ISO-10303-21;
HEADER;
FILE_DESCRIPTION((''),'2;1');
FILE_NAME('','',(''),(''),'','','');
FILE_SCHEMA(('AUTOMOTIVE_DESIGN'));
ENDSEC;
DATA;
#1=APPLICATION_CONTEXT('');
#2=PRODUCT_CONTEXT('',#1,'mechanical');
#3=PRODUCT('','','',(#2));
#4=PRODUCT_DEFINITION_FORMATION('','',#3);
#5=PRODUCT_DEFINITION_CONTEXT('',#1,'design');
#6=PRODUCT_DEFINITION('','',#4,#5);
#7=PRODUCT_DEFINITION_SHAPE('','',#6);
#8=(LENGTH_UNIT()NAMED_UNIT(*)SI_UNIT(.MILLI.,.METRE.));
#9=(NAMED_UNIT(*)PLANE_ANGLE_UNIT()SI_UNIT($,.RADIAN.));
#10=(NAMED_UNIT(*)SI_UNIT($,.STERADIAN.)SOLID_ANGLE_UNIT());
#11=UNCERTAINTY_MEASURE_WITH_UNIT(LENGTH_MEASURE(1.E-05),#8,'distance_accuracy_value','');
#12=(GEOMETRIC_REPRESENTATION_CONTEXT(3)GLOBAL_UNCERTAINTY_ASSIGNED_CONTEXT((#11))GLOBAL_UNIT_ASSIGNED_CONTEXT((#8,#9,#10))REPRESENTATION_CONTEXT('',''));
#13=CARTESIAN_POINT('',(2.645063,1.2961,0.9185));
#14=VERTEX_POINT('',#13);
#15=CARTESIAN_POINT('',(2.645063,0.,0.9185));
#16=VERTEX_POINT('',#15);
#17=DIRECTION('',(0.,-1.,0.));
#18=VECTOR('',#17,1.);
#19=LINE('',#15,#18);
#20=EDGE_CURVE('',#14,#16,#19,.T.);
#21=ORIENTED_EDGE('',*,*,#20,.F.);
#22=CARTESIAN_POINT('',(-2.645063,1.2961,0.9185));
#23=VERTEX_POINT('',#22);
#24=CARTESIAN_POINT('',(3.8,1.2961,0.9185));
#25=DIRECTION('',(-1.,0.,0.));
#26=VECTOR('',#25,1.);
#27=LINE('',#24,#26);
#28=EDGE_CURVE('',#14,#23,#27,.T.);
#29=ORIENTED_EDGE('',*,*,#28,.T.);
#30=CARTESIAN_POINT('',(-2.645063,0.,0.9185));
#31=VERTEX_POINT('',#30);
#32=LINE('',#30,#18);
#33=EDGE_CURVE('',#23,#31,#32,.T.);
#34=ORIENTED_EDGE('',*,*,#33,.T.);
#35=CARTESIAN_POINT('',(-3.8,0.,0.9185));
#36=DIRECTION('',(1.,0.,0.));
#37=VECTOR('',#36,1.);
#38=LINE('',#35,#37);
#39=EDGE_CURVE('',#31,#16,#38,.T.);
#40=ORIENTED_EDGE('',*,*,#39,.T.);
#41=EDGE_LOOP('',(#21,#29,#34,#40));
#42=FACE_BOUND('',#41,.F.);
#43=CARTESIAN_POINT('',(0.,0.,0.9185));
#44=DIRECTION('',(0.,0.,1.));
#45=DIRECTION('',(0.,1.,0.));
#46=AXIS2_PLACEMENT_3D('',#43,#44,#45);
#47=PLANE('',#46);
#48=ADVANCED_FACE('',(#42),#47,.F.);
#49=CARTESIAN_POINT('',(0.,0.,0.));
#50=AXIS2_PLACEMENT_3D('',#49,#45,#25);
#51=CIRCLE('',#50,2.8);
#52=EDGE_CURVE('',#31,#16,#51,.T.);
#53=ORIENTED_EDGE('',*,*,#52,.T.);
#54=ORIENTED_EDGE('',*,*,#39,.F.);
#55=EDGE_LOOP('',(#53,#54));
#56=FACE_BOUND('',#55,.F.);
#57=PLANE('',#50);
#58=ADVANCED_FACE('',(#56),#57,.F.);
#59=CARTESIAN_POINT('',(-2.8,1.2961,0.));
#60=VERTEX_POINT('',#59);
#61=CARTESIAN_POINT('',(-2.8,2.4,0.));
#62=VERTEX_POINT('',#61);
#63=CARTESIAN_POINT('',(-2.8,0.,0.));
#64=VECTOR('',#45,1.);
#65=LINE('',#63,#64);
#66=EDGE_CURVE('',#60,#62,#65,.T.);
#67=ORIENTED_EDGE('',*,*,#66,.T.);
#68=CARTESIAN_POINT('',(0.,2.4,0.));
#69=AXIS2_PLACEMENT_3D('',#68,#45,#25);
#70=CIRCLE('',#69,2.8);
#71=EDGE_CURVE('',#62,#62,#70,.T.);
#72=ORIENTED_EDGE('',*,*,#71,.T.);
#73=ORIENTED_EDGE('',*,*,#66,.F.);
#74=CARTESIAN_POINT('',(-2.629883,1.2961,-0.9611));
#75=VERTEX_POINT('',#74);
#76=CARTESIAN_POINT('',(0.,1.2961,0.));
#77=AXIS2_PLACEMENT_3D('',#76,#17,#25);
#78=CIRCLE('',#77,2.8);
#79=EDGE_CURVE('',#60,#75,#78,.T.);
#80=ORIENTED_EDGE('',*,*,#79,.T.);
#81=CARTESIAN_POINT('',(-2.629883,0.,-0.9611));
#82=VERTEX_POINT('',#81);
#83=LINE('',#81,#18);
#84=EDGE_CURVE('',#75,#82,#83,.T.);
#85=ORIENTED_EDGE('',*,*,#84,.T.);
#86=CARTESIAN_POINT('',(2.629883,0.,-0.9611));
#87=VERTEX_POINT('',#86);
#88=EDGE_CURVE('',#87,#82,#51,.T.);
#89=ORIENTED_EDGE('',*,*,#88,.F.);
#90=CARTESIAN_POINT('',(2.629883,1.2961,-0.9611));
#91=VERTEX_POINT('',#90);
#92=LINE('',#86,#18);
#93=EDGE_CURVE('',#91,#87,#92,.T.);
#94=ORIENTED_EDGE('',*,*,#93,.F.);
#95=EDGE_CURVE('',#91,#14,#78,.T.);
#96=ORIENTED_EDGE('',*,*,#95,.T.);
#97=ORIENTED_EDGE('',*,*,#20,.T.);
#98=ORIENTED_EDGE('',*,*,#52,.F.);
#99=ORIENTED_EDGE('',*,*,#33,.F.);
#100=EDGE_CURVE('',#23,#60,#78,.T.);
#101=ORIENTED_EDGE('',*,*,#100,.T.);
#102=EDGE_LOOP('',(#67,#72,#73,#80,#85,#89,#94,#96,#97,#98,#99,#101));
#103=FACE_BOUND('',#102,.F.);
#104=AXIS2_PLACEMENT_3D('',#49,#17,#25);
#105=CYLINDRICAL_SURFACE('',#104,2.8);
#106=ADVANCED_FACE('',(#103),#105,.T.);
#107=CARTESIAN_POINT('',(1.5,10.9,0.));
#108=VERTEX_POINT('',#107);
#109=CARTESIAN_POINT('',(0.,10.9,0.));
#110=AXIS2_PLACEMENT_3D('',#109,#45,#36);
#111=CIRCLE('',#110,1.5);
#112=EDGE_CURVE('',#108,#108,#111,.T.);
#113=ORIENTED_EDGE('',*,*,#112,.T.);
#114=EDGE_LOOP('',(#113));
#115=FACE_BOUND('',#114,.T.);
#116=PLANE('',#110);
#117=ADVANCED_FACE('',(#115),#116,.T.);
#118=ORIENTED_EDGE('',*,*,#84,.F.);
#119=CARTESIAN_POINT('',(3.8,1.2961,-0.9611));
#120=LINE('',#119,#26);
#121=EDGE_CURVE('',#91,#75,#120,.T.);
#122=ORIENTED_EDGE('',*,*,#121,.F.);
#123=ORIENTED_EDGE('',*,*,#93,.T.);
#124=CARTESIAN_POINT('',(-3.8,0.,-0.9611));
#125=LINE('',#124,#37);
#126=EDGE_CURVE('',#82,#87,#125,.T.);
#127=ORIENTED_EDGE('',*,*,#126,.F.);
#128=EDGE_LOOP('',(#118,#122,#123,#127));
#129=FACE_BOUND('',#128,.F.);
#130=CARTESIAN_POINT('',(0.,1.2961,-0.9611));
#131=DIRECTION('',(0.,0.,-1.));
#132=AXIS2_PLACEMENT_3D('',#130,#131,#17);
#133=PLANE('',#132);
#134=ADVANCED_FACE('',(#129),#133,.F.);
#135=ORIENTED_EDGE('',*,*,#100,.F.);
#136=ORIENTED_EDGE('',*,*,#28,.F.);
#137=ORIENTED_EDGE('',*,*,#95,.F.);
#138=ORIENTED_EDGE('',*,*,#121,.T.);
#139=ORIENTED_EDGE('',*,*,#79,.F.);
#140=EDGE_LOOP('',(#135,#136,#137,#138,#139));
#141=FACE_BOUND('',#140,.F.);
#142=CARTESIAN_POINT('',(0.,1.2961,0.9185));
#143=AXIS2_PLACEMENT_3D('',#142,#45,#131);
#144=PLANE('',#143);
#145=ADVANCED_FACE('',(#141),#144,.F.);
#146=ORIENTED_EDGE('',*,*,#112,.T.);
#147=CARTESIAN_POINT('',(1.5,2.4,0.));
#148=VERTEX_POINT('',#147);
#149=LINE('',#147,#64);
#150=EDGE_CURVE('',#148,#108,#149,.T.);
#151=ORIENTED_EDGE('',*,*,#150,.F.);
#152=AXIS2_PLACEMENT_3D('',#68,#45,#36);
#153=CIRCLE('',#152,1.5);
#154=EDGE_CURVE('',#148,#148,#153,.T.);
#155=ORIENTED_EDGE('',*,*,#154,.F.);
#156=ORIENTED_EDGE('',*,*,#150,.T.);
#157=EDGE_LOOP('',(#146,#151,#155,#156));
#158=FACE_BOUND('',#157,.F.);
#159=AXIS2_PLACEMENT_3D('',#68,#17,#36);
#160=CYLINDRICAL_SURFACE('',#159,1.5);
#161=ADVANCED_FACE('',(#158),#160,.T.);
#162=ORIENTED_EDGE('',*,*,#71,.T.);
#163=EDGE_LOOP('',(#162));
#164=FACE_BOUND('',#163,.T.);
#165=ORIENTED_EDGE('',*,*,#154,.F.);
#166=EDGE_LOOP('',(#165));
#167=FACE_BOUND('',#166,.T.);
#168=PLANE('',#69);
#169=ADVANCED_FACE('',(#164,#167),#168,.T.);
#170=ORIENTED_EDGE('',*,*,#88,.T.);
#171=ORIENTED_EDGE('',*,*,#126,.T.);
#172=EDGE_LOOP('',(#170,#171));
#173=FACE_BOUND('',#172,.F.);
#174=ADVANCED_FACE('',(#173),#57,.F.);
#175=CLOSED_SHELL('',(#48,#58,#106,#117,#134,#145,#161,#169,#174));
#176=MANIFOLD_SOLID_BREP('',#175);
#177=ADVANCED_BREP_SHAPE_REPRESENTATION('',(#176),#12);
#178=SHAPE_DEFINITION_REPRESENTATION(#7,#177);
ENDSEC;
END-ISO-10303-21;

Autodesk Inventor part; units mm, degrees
ref_plane "YZ Plane" through (0, 0, 0) normal (1, 0, 0) x (0, 1, 0)
ref_plane "XZ Plane" through (0, 0, 0) normal (0, 1, 0) x (-1, 0, 0)
ref_plane "XY Plane" through (0, 0, 0) normal (0, 0, 1) x (1, 0, 0)
sketch "Esboço1" plane through (0, 0, 0) normal (0, 1, 0) x (-1, 0, 0)
  circle A0 centre (0, 0) radius 2.8
  dimension "d0" = 5.6
extrude "Extrusão1" add sketch "Esboço1" along normal blind 2.4
sketch "Esboço2" plane through (0, 0, 0) normal (1, 0, 0) x (0, 1, 0)
  line L0 (0, 0.9185) -> (1.2961, 0.9185)
  line L1 (1.2961, 0.9185) -> (1.2961, -0.9611)
  line L2 (1.2961, -0.9611) -> (0, -0.9611)
  line L3 (0, -0.9611) -> (0, 0.9185)
  point P0 (0, 0)
extrude "Extrusão2" cut sketch "Esboço2" along normal through all both and the other way through all
sketch "Esboço3" plane through (0, 2.4, 0) normal (0, 1, 0) x (1, 0, 0)
  circle A0 centre (0, 0) radius 2.8 projected
  circle A1 centre (0, 0) radius 1.5
  dimension "d5" = 3
extrude "Extrusão3" add sketch "Esboço3" along normal blind 8.5 contours A1
thread "Rosca1" size "M3x0.5" class "6g" standard "ANSI Metric M Profile" full length
properties part number "Parafuso-M3-8.5"
